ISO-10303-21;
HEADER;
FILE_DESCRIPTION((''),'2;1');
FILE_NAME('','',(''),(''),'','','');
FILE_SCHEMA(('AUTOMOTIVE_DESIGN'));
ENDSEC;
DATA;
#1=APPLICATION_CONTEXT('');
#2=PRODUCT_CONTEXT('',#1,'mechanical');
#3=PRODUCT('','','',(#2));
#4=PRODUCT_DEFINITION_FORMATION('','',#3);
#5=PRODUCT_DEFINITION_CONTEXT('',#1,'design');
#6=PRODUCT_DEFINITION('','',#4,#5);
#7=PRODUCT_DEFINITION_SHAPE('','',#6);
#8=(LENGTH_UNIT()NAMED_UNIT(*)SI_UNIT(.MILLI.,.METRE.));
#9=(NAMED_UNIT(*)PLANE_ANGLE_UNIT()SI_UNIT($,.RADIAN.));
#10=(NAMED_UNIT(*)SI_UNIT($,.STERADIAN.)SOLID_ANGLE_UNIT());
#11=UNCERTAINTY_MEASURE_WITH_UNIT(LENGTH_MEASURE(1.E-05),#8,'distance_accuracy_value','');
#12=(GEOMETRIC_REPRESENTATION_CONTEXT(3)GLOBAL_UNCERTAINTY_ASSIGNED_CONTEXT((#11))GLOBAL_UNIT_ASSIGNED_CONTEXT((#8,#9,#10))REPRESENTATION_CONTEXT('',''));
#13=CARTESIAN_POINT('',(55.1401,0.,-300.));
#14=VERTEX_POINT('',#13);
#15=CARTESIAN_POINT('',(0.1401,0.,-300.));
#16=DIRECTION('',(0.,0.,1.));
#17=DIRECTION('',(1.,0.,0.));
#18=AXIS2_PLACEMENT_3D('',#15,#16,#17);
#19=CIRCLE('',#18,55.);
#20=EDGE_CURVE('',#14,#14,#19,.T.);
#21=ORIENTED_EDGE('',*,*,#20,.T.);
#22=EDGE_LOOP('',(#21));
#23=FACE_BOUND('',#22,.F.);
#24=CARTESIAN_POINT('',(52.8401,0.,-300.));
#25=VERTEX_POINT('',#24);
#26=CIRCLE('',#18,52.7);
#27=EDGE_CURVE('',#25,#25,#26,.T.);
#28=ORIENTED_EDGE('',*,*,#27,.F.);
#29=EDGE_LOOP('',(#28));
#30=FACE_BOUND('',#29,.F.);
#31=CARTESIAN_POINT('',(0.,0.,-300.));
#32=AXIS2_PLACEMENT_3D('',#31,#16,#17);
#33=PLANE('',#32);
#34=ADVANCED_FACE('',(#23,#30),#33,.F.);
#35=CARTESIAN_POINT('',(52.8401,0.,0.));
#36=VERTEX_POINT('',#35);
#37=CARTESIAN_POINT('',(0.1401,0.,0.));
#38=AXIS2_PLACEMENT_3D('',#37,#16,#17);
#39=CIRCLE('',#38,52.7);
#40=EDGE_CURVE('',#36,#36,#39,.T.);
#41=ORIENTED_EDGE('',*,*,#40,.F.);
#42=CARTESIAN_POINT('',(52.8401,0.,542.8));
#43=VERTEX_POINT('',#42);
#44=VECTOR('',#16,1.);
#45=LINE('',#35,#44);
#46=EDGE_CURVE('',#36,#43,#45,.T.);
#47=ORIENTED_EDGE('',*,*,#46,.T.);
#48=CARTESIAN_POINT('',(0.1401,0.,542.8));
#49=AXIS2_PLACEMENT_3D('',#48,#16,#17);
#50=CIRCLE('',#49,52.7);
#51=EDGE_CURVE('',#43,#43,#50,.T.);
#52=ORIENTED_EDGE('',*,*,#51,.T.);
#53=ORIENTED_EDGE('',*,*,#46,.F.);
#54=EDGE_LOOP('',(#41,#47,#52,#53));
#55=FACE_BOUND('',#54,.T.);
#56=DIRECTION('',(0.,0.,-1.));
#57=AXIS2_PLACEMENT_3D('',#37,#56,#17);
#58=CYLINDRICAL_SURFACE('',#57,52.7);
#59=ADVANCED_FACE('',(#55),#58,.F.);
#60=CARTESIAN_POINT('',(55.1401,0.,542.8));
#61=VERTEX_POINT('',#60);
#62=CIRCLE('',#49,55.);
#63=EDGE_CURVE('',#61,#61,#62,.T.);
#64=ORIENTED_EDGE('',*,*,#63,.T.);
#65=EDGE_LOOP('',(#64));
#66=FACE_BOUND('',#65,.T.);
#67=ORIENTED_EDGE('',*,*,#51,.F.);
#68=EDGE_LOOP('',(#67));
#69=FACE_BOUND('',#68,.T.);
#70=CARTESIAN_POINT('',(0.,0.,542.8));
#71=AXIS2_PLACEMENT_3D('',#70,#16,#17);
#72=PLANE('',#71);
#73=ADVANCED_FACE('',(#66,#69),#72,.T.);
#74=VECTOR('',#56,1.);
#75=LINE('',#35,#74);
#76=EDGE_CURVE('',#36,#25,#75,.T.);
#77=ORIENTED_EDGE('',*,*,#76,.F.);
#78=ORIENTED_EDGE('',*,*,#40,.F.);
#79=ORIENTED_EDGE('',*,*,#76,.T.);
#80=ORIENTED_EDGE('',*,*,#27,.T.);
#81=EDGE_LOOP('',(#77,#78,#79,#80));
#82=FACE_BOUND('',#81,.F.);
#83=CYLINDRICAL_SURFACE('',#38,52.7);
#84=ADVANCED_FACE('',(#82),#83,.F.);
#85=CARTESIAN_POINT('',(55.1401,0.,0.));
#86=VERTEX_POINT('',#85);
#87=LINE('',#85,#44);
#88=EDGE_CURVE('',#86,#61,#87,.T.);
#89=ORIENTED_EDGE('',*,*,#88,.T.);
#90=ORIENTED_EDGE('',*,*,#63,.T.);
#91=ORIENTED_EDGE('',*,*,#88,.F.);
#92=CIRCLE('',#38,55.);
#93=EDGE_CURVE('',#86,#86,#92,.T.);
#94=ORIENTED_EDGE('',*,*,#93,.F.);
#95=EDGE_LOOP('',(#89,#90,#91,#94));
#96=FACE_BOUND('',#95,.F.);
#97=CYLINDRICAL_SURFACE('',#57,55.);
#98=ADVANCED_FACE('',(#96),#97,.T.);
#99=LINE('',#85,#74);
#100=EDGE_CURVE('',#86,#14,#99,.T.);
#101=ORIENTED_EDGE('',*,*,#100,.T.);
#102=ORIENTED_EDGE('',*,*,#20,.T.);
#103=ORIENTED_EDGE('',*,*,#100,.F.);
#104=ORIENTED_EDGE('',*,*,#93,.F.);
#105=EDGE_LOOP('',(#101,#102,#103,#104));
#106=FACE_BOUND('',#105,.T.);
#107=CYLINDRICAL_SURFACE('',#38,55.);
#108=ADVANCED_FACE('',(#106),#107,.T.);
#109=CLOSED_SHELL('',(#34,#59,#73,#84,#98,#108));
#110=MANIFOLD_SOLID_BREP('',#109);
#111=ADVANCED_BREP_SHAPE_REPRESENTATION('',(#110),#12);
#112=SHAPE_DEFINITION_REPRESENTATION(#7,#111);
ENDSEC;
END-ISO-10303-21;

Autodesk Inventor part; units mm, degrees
ref_plane "YZ Plane" through (0, 0, 0) normal (1, 0, 0) x (0, 1, 0)
ref_plane "XZ Plane" through (0, 0, 0) normal (0, 1, 0) x (-1, 0, 0)
ref_plane "XY Plane" through (0, 0, 0) normal (0, 0, 1) x (1, 0, 0)
sketch "Sketch1" plane through (0, 0, 0) normal (0, 0, 1) x (1, 0, 0)
  circle A0 centre (0.1401, 0) radius 55
  circle A1 centre (0.1401, 0) radius 52.7
  point P0 (0, 0)
  dimension "d1" = 2.3
  dimension "d2" = 110
extrude "Extrusion1" add sketch "Sketch1" along normal blind 542.8 and the other way blind 300
properties part number "pipe_6in_0.5m"
